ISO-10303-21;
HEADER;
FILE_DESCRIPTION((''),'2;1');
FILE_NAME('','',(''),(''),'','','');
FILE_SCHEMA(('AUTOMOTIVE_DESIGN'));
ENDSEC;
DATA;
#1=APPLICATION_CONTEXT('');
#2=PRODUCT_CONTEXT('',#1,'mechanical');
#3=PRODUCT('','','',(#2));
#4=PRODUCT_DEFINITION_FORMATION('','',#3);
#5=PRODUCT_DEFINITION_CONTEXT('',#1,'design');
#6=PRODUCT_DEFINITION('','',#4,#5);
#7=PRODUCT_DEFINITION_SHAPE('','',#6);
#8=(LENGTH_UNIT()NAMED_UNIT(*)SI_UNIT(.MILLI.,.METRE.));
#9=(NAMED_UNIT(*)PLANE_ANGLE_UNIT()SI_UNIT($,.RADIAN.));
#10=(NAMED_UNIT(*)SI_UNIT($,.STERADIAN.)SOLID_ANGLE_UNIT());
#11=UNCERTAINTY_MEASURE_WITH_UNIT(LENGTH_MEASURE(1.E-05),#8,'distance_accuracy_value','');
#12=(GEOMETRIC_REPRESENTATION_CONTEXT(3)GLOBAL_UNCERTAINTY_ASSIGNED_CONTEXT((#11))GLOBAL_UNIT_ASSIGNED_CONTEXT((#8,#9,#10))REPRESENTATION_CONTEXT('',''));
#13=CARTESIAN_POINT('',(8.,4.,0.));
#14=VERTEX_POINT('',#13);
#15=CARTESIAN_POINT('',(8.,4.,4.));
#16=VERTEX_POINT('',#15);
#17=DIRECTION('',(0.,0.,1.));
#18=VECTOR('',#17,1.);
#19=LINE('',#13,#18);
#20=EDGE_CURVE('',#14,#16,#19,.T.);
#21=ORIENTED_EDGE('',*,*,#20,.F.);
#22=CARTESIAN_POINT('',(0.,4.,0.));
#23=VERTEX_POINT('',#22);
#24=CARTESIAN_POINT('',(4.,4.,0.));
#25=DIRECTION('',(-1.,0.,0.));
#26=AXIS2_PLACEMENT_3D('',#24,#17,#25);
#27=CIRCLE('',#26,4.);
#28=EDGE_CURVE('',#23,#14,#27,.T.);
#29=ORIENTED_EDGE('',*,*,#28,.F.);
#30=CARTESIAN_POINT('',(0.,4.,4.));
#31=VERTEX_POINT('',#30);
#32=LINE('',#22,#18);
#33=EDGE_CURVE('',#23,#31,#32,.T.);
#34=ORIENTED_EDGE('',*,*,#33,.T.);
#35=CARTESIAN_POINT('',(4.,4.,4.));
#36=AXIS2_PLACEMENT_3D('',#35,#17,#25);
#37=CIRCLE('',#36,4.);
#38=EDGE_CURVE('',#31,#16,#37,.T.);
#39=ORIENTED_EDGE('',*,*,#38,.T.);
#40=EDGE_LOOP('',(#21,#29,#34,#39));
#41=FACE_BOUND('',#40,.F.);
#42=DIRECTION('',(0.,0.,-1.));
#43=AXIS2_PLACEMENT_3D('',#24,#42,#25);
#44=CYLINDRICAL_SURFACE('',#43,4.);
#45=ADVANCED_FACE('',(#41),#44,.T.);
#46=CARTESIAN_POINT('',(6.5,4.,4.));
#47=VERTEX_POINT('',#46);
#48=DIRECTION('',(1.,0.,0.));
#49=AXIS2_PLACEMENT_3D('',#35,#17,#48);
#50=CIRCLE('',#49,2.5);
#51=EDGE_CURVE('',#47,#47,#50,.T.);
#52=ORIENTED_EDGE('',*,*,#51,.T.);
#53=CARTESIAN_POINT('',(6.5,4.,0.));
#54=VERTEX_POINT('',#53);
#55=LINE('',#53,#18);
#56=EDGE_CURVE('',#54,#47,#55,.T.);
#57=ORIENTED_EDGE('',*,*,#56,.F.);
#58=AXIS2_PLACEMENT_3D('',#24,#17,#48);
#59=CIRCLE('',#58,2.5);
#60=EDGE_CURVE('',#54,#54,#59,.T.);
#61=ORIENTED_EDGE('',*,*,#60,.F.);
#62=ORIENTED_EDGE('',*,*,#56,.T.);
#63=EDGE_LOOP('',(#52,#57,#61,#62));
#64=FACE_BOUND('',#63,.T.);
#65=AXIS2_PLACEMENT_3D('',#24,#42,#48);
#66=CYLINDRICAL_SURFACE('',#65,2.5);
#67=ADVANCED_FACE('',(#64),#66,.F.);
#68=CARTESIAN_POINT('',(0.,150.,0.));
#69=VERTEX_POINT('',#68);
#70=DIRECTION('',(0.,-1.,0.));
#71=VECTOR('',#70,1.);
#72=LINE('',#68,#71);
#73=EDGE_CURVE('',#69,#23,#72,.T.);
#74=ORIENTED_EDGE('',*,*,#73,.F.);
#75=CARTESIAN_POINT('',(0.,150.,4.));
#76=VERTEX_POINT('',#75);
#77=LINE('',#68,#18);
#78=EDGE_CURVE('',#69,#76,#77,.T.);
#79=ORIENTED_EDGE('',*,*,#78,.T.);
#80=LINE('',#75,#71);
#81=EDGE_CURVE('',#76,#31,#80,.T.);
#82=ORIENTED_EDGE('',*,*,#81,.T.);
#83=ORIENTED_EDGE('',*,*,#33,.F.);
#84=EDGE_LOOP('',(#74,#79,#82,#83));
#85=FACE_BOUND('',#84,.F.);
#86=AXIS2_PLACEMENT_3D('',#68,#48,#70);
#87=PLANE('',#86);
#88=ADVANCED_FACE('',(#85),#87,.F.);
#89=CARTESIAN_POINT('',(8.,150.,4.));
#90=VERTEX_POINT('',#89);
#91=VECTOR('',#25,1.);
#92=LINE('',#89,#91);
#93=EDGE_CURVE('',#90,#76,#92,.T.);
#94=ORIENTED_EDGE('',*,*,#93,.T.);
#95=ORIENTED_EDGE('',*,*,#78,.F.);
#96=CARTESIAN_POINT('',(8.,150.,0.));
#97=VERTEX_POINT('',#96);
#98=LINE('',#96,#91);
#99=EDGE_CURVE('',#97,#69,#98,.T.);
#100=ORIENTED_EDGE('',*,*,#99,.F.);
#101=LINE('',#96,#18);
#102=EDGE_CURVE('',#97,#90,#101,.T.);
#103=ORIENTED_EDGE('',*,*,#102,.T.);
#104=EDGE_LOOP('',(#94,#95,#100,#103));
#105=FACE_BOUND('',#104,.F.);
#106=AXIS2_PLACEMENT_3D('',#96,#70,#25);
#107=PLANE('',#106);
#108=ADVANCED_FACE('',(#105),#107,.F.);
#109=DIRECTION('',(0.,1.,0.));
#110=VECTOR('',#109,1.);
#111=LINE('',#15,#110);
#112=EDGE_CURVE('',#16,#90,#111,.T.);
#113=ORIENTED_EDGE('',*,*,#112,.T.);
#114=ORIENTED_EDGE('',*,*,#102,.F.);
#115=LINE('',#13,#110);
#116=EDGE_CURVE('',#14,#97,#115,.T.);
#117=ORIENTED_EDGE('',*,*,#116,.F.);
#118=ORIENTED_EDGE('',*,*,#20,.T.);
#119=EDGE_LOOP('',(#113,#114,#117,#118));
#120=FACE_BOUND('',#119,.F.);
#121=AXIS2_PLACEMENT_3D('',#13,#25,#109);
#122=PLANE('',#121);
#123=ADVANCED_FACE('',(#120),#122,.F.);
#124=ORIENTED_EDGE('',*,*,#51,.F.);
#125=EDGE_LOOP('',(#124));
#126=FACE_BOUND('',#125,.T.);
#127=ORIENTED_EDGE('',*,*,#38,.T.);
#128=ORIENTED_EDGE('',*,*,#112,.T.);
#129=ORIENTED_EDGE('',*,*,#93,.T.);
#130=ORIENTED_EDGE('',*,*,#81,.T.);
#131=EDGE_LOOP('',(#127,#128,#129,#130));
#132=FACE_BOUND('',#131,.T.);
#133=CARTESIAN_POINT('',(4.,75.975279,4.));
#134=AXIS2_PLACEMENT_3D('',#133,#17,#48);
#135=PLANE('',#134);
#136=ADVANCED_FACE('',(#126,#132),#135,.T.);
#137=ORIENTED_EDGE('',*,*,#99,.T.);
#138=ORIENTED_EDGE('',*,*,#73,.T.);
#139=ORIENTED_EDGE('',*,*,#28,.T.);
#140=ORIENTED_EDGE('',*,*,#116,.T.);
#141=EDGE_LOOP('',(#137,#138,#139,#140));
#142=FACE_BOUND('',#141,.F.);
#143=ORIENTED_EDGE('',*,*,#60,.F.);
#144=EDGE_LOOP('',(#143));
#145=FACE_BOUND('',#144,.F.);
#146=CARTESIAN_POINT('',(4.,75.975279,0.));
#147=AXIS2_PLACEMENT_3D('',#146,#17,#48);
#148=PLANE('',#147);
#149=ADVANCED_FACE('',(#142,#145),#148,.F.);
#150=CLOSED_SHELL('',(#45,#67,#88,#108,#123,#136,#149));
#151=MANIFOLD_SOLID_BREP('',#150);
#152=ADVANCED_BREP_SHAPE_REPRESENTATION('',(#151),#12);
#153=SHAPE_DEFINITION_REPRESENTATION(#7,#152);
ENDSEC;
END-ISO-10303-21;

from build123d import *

# Parameters (mm, degrees)
F0_R     = 2.5
F1_DEPTH = 4


with BuildPart() as f1:
    # F0 (on Top) → F1 (new body)
    with BuildSketch(Plane.XY):
        with BuildLine():
            Line((8, 150), (0, 150))
            Line((0, 150), (0, 4))
            ThreePointArc((0, 4), (4, 0), (8, 4))
            Line((8, 4), (8, 150))
        make_face()
        with Locations((4, 4)):
            Circle(F0_R, mode=Mode.SUBTRACT)
    extrude(amount=F1_DEPTH)


solid = f1.part
